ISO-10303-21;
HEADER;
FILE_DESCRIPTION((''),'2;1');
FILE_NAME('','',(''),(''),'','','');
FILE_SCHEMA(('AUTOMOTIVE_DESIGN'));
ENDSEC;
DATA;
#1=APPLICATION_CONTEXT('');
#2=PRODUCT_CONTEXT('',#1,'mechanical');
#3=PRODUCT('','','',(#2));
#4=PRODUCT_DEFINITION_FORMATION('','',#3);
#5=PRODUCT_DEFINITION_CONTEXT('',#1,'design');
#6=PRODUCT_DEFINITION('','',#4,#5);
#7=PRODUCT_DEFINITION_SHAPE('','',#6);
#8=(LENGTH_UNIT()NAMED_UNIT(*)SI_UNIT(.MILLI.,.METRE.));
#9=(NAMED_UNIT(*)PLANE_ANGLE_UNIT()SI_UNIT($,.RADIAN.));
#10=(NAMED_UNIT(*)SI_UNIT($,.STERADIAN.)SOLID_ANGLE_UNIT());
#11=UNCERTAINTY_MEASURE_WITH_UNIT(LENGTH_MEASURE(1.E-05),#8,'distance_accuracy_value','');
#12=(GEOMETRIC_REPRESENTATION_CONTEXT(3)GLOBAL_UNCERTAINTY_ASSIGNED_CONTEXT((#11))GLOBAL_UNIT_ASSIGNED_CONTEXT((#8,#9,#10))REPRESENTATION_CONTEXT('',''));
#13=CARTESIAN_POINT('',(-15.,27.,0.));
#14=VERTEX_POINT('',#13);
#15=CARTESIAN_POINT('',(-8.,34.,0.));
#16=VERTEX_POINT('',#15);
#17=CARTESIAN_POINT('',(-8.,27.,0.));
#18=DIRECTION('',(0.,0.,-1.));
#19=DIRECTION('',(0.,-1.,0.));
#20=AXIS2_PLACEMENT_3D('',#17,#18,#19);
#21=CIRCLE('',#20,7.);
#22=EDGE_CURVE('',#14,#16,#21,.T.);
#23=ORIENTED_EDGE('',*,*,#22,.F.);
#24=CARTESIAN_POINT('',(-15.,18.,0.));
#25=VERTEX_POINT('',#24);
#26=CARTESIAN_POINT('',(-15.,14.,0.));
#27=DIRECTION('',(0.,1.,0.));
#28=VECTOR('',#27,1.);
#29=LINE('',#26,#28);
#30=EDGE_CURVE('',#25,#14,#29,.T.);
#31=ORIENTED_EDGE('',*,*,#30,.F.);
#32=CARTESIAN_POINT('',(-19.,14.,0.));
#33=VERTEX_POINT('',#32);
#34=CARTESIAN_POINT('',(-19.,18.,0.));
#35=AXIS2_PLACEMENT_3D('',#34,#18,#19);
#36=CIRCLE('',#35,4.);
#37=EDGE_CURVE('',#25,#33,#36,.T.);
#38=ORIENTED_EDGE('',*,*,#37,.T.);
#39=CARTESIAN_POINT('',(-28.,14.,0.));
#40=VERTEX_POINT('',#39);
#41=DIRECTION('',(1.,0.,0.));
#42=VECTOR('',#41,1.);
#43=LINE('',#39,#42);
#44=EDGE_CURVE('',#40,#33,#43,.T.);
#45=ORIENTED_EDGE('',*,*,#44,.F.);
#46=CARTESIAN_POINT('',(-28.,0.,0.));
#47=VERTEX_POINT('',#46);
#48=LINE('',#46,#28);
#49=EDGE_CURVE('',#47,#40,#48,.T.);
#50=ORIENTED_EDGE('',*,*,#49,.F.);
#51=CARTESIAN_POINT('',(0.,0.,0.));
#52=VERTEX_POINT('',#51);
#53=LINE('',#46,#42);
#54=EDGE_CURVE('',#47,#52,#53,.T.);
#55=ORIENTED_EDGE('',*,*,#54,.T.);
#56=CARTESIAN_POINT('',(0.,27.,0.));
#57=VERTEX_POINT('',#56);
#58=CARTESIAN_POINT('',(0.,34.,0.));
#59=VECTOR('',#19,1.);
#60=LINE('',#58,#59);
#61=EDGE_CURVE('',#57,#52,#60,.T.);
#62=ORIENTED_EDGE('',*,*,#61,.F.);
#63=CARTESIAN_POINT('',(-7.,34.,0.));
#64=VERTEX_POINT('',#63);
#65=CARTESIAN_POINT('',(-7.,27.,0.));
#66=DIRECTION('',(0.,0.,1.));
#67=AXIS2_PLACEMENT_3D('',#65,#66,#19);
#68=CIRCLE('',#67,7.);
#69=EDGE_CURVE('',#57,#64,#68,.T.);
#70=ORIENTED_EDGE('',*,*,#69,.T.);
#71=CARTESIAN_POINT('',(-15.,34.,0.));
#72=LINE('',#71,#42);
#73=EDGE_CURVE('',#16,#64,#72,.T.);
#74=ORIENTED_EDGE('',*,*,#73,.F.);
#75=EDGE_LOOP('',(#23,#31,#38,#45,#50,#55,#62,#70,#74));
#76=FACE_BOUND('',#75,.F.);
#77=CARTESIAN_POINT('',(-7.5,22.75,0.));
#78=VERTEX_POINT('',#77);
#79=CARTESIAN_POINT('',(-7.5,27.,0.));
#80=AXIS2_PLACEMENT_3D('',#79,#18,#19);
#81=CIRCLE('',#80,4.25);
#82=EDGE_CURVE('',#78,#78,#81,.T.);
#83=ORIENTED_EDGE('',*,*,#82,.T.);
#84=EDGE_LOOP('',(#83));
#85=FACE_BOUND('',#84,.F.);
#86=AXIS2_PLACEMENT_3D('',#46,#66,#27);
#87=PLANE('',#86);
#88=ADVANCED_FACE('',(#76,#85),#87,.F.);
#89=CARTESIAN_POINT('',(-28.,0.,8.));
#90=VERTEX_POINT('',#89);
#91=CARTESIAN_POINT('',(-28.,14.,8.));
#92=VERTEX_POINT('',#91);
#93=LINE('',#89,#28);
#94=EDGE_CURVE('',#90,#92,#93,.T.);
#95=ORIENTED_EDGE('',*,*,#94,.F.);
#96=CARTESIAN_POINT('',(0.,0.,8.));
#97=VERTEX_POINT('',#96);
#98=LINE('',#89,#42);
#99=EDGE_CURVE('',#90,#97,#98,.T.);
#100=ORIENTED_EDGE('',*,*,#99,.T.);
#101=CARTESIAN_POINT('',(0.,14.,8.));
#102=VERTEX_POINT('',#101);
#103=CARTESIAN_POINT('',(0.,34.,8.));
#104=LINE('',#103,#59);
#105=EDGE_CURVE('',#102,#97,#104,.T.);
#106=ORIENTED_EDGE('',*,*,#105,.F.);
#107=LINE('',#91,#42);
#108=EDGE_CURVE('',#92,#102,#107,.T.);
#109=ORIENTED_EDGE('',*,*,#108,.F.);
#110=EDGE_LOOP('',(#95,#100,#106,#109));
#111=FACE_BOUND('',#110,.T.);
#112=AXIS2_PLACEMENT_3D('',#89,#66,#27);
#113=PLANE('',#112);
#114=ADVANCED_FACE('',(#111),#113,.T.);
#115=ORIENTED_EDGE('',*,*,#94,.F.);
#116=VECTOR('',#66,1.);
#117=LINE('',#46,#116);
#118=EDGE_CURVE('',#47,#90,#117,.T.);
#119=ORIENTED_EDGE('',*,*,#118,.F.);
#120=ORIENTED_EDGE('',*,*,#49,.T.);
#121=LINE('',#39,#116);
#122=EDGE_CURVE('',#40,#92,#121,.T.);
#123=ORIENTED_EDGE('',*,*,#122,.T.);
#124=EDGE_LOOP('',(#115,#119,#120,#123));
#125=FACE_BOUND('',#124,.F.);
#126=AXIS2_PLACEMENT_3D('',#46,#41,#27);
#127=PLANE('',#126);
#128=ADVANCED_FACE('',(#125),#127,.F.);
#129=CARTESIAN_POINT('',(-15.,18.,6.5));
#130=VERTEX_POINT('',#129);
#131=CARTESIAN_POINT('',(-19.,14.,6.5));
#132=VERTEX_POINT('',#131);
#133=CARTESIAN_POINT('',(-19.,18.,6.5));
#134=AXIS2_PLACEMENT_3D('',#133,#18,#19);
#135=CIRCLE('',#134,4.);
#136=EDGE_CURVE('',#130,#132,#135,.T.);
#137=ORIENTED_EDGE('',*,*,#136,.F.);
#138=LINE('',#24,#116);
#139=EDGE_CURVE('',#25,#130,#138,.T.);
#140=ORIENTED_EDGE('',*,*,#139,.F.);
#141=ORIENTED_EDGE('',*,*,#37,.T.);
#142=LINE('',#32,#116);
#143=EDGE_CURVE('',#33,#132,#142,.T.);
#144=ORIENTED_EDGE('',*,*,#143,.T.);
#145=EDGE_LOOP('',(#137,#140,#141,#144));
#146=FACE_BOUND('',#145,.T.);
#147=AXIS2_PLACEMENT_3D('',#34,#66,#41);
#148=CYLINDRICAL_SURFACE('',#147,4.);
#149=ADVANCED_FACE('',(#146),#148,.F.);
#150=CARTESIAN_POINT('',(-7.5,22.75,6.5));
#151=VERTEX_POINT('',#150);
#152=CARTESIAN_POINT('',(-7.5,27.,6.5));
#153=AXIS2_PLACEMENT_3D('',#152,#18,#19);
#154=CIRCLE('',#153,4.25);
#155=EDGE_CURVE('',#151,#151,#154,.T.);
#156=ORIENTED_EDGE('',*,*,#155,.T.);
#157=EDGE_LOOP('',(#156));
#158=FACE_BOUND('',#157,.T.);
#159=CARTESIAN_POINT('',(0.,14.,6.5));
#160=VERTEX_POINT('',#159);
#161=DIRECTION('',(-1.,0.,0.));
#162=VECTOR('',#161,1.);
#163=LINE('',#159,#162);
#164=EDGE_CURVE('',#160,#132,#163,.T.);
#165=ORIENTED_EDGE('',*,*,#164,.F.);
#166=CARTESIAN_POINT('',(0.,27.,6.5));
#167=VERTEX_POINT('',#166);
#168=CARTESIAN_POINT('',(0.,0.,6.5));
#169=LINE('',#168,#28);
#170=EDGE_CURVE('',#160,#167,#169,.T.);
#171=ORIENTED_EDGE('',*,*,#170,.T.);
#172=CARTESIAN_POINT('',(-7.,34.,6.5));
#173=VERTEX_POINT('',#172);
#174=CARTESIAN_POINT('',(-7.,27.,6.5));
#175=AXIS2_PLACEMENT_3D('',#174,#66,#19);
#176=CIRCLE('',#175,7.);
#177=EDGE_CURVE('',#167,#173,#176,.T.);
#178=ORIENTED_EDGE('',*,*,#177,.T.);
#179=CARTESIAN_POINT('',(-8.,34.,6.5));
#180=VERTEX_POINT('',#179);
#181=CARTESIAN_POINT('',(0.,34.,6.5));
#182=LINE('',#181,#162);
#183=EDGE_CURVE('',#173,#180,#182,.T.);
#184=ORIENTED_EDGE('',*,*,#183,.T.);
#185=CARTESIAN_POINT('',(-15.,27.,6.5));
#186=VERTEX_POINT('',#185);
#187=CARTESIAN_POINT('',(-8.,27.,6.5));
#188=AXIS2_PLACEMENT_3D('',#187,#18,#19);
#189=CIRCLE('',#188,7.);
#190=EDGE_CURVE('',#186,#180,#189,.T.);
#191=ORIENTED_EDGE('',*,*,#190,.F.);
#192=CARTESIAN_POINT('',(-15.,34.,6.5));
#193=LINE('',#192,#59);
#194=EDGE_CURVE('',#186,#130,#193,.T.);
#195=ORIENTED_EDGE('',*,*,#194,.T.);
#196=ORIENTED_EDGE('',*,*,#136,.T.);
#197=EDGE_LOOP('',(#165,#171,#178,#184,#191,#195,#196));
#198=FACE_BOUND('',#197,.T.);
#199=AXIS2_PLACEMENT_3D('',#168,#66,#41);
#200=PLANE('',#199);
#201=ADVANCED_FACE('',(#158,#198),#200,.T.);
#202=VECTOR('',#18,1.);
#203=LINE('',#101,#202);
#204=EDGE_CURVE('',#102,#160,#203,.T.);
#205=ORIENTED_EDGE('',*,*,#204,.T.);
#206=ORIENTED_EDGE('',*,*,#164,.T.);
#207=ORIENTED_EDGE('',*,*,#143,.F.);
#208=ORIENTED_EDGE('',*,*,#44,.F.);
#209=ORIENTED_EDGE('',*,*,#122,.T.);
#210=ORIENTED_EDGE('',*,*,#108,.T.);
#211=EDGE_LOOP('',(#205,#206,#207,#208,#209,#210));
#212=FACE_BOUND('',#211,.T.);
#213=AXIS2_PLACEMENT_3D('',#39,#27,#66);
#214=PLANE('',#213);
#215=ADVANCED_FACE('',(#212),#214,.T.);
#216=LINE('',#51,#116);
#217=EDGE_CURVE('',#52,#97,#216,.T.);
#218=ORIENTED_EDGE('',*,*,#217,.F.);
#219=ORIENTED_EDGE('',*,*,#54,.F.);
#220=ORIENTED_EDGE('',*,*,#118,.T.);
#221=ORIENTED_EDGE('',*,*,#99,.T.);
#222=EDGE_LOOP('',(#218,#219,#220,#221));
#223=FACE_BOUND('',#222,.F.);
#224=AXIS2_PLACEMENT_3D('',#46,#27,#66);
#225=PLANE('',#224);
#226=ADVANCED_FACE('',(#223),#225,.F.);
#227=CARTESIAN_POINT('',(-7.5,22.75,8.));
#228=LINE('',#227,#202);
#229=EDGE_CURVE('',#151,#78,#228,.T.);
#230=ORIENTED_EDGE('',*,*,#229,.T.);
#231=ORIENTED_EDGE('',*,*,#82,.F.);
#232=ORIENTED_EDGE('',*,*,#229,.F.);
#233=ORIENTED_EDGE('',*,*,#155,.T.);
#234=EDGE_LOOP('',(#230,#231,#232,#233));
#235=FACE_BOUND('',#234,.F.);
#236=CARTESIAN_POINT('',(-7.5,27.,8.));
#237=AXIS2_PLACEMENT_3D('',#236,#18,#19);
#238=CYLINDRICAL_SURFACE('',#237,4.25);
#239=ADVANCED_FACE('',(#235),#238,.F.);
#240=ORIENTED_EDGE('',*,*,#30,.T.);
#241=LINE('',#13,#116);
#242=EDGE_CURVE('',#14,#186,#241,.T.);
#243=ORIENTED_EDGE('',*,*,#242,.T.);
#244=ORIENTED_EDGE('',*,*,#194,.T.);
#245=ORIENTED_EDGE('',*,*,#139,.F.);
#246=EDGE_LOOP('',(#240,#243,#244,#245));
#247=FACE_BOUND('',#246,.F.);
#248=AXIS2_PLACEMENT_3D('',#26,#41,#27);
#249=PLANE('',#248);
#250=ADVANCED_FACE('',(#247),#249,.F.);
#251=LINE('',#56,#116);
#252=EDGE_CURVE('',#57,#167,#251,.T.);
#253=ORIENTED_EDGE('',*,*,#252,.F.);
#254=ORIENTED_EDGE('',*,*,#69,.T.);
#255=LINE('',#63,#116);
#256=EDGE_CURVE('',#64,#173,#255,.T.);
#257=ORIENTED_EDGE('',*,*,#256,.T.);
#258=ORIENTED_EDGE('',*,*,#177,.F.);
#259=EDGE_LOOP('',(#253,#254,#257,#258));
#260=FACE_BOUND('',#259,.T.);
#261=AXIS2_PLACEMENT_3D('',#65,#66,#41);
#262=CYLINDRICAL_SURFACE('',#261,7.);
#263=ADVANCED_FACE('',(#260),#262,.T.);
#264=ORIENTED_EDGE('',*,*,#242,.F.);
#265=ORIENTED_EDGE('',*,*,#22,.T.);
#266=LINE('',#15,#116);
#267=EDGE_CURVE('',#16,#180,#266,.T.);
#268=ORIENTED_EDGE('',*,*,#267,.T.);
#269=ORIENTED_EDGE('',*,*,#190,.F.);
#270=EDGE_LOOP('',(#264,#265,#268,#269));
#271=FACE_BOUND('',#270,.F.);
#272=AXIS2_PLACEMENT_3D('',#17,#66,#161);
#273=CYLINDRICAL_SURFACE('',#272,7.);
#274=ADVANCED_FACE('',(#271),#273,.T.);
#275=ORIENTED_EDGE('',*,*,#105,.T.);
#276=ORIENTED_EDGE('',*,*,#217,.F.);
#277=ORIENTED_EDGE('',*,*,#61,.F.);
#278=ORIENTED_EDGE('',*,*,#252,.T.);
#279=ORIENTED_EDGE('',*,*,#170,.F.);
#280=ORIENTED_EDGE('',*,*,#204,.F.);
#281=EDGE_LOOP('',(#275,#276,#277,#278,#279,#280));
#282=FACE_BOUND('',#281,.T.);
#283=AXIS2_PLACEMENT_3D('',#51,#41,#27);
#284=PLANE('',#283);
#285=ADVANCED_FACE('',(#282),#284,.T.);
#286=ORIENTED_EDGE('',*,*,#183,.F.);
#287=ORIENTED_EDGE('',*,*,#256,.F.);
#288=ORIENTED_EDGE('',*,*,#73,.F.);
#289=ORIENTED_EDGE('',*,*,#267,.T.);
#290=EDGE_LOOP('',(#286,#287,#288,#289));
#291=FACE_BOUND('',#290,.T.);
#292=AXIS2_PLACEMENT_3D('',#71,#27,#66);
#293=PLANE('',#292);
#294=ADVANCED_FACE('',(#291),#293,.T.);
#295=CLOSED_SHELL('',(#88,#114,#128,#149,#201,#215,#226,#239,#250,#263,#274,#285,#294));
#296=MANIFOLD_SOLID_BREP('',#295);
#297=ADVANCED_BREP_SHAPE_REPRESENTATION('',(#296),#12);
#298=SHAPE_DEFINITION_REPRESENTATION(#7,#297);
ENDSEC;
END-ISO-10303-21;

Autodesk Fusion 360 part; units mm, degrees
box "BoxPrimitive1" add length 8 width 28 height 14 placed x (0, 0, 1) y (1, 0, 0) z (0, 1, 0) at (-28, 0, 0)
box "BoxPrimitive2" add length 8 width 15 height 20 placed x (0, 0, 1) y (1, 0, 0) z (0, 1, 0) at (-15, 14, 0)
sketch "Sketch4" plane through (0, 0, 8) normal (0, 0, 1) x (1, 0, 0)
  line L0 (-28, 14) -> (-28, 0)
  line L1 (-28, 0) -> (0, 0)
  line L2 (0, 0) -> (0, 34)
  line L3 (0, 34) -> (-15, 34)
  line L4 (-15, 34) -> (-15, 14)
  line L5 (-15, 14) -> (-28, 14)
  line L6 (-15, 34) -> (0, 34)
  line L7 (0, 34) -> (0, 14)
  line L8 (0, 14) -> (-15, 14)
  line L9 (-15, 14) -> (-15, 34)
  line L10 (-7.5, 34) -> (-7.5, 14) construction
  point P0 (-7.5, 27)
  dimension "holeHeight" = 13
hole "Hole1" at (-7.5, 27, 8) direction (0, 0, -1) diameter 8.5 end through all
extrude "Extrude1" cut sketch "Sketch4" against normal blind 1.5 contours L2 L3 L4 L6 L7 L8 L9
fillet "Fillet2" radius 7 2 edges at (-15, 34, 3.25) (0, 34, 3.25)
fillet "Fillet3" radius 4 1 edges at (-15, 14, 3.25)
